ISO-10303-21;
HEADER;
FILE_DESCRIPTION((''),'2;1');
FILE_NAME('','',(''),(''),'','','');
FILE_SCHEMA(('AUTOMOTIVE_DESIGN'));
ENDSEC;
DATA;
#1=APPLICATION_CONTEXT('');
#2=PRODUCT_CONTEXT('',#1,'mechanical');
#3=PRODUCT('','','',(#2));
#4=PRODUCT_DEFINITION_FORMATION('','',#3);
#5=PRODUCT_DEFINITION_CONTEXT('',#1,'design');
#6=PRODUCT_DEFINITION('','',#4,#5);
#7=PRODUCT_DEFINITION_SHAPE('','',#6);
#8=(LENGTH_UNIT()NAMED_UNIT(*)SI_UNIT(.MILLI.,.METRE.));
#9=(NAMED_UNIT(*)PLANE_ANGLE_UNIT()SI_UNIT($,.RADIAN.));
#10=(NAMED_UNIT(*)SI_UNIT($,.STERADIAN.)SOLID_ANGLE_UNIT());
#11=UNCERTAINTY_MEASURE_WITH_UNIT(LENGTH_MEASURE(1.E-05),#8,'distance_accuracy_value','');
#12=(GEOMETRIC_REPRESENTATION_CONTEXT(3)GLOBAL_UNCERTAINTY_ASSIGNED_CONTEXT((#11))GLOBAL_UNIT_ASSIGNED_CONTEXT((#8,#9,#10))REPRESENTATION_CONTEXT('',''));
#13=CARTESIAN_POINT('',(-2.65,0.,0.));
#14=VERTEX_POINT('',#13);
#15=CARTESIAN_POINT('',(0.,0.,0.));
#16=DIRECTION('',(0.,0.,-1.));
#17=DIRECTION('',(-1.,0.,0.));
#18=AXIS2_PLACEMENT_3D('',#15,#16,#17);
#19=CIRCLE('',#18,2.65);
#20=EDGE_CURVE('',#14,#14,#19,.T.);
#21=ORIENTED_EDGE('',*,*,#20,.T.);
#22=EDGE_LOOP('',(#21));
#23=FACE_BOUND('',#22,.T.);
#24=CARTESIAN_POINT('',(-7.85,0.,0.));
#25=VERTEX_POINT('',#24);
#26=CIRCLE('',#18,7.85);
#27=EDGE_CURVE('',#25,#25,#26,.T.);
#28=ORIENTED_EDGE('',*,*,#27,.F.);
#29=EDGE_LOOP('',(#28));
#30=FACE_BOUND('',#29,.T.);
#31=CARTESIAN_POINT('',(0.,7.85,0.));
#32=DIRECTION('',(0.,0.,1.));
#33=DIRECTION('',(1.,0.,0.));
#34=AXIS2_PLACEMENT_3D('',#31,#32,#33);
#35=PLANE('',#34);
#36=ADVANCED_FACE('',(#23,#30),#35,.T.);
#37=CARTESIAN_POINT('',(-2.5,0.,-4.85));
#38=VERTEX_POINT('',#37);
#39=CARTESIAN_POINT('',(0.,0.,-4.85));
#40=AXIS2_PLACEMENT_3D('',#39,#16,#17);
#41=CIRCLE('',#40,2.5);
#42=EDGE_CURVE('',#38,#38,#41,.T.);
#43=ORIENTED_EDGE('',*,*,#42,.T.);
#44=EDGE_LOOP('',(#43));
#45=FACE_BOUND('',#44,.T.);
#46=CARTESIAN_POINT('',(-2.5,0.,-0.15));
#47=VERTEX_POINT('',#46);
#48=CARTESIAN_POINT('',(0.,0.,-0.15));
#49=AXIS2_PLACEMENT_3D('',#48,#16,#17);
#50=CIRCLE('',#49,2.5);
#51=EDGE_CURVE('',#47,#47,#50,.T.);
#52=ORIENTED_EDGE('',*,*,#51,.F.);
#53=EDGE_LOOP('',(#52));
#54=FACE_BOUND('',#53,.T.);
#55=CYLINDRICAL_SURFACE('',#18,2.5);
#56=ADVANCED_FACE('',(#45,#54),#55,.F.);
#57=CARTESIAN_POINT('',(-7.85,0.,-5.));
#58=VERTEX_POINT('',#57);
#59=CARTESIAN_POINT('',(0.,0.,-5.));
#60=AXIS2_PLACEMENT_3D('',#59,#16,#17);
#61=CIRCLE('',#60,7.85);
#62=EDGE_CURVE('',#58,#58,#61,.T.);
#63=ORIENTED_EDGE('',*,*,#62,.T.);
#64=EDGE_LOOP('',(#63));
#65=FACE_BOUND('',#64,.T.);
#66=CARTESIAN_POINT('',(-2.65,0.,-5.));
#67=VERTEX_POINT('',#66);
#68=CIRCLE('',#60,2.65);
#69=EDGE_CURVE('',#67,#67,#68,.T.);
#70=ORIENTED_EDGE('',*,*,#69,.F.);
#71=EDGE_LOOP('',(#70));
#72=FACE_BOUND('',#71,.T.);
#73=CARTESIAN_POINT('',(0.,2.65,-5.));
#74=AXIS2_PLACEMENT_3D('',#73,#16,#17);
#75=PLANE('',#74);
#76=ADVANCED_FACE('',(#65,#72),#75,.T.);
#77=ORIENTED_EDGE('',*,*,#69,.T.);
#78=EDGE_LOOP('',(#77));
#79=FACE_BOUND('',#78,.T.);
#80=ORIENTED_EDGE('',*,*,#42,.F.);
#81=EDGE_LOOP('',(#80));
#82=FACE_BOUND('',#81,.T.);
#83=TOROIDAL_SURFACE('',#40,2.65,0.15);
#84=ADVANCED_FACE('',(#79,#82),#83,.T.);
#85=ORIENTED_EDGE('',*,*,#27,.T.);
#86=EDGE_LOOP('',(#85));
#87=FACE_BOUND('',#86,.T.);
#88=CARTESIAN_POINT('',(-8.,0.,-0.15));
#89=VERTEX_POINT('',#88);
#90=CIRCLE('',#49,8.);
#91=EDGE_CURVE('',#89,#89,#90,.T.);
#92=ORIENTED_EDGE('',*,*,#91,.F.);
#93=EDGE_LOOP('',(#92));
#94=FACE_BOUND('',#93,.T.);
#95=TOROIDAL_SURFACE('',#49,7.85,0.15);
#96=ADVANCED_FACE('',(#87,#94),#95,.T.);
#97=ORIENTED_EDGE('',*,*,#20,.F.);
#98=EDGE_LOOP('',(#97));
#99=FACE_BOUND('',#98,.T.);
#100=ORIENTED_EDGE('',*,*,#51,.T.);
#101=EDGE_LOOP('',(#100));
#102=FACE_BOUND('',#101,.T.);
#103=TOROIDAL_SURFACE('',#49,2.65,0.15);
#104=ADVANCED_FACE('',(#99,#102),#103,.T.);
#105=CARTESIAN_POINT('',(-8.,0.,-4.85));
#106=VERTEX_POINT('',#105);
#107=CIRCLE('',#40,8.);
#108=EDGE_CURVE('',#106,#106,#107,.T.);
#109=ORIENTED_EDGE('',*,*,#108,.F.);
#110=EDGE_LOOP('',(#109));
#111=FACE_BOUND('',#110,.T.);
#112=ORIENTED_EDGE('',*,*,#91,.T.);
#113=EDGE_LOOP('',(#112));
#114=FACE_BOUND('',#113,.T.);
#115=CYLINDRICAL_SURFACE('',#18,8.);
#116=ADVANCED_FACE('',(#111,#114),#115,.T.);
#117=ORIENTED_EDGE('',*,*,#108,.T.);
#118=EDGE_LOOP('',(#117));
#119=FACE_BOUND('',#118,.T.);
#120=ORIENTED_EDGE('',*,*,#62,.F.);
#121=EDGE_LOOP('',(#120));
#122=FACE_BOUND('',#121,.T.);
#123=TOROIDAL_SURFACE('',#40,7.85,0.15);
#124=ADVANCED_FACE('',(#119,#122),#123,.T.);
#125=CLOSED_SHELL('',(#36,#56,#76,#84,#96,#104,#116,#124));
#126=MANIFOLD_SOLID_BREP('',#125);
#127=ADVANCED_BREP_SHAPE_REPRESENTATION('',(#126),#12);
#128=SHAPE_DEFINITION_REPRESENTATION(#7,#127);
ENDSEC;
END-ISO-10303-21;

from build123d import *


with BuildPart() as part:
    # Sketch1 → Revolve1 (revolve)
    with BuildSketch(Plane(origin=(0, 0, 0), x_dir=(0, 0, -1), z_dir=(1, 0, 0))):
        with BuildLine():
            Line((5, 2.65), (5, 7.85))
            ThreePointArc((5, 7.85), (4.956066017, 7.956066017), (4.85, 8))
            Line((4.85, 8), (0.15, 8))
            ThreePointArc((0.15, 8), (0.043933983, 7.956066017), (0, 7.85))
            Line((0, 7.85), (0, 2.65))
            ThreePointArc((0, 2.65), (0.043933983, 2.543933983), (0.15, 2.5))
            Line((0.15, 2.5), (4.85, 2.5))
            ThreePointArc((4.85, 2.5), (4.956066017, 2.543933983), (5, 2.65))
        make_face()
    revolve(axis=Axis((0, 0, 0), (0, 0, 1)))


solid = part.part
